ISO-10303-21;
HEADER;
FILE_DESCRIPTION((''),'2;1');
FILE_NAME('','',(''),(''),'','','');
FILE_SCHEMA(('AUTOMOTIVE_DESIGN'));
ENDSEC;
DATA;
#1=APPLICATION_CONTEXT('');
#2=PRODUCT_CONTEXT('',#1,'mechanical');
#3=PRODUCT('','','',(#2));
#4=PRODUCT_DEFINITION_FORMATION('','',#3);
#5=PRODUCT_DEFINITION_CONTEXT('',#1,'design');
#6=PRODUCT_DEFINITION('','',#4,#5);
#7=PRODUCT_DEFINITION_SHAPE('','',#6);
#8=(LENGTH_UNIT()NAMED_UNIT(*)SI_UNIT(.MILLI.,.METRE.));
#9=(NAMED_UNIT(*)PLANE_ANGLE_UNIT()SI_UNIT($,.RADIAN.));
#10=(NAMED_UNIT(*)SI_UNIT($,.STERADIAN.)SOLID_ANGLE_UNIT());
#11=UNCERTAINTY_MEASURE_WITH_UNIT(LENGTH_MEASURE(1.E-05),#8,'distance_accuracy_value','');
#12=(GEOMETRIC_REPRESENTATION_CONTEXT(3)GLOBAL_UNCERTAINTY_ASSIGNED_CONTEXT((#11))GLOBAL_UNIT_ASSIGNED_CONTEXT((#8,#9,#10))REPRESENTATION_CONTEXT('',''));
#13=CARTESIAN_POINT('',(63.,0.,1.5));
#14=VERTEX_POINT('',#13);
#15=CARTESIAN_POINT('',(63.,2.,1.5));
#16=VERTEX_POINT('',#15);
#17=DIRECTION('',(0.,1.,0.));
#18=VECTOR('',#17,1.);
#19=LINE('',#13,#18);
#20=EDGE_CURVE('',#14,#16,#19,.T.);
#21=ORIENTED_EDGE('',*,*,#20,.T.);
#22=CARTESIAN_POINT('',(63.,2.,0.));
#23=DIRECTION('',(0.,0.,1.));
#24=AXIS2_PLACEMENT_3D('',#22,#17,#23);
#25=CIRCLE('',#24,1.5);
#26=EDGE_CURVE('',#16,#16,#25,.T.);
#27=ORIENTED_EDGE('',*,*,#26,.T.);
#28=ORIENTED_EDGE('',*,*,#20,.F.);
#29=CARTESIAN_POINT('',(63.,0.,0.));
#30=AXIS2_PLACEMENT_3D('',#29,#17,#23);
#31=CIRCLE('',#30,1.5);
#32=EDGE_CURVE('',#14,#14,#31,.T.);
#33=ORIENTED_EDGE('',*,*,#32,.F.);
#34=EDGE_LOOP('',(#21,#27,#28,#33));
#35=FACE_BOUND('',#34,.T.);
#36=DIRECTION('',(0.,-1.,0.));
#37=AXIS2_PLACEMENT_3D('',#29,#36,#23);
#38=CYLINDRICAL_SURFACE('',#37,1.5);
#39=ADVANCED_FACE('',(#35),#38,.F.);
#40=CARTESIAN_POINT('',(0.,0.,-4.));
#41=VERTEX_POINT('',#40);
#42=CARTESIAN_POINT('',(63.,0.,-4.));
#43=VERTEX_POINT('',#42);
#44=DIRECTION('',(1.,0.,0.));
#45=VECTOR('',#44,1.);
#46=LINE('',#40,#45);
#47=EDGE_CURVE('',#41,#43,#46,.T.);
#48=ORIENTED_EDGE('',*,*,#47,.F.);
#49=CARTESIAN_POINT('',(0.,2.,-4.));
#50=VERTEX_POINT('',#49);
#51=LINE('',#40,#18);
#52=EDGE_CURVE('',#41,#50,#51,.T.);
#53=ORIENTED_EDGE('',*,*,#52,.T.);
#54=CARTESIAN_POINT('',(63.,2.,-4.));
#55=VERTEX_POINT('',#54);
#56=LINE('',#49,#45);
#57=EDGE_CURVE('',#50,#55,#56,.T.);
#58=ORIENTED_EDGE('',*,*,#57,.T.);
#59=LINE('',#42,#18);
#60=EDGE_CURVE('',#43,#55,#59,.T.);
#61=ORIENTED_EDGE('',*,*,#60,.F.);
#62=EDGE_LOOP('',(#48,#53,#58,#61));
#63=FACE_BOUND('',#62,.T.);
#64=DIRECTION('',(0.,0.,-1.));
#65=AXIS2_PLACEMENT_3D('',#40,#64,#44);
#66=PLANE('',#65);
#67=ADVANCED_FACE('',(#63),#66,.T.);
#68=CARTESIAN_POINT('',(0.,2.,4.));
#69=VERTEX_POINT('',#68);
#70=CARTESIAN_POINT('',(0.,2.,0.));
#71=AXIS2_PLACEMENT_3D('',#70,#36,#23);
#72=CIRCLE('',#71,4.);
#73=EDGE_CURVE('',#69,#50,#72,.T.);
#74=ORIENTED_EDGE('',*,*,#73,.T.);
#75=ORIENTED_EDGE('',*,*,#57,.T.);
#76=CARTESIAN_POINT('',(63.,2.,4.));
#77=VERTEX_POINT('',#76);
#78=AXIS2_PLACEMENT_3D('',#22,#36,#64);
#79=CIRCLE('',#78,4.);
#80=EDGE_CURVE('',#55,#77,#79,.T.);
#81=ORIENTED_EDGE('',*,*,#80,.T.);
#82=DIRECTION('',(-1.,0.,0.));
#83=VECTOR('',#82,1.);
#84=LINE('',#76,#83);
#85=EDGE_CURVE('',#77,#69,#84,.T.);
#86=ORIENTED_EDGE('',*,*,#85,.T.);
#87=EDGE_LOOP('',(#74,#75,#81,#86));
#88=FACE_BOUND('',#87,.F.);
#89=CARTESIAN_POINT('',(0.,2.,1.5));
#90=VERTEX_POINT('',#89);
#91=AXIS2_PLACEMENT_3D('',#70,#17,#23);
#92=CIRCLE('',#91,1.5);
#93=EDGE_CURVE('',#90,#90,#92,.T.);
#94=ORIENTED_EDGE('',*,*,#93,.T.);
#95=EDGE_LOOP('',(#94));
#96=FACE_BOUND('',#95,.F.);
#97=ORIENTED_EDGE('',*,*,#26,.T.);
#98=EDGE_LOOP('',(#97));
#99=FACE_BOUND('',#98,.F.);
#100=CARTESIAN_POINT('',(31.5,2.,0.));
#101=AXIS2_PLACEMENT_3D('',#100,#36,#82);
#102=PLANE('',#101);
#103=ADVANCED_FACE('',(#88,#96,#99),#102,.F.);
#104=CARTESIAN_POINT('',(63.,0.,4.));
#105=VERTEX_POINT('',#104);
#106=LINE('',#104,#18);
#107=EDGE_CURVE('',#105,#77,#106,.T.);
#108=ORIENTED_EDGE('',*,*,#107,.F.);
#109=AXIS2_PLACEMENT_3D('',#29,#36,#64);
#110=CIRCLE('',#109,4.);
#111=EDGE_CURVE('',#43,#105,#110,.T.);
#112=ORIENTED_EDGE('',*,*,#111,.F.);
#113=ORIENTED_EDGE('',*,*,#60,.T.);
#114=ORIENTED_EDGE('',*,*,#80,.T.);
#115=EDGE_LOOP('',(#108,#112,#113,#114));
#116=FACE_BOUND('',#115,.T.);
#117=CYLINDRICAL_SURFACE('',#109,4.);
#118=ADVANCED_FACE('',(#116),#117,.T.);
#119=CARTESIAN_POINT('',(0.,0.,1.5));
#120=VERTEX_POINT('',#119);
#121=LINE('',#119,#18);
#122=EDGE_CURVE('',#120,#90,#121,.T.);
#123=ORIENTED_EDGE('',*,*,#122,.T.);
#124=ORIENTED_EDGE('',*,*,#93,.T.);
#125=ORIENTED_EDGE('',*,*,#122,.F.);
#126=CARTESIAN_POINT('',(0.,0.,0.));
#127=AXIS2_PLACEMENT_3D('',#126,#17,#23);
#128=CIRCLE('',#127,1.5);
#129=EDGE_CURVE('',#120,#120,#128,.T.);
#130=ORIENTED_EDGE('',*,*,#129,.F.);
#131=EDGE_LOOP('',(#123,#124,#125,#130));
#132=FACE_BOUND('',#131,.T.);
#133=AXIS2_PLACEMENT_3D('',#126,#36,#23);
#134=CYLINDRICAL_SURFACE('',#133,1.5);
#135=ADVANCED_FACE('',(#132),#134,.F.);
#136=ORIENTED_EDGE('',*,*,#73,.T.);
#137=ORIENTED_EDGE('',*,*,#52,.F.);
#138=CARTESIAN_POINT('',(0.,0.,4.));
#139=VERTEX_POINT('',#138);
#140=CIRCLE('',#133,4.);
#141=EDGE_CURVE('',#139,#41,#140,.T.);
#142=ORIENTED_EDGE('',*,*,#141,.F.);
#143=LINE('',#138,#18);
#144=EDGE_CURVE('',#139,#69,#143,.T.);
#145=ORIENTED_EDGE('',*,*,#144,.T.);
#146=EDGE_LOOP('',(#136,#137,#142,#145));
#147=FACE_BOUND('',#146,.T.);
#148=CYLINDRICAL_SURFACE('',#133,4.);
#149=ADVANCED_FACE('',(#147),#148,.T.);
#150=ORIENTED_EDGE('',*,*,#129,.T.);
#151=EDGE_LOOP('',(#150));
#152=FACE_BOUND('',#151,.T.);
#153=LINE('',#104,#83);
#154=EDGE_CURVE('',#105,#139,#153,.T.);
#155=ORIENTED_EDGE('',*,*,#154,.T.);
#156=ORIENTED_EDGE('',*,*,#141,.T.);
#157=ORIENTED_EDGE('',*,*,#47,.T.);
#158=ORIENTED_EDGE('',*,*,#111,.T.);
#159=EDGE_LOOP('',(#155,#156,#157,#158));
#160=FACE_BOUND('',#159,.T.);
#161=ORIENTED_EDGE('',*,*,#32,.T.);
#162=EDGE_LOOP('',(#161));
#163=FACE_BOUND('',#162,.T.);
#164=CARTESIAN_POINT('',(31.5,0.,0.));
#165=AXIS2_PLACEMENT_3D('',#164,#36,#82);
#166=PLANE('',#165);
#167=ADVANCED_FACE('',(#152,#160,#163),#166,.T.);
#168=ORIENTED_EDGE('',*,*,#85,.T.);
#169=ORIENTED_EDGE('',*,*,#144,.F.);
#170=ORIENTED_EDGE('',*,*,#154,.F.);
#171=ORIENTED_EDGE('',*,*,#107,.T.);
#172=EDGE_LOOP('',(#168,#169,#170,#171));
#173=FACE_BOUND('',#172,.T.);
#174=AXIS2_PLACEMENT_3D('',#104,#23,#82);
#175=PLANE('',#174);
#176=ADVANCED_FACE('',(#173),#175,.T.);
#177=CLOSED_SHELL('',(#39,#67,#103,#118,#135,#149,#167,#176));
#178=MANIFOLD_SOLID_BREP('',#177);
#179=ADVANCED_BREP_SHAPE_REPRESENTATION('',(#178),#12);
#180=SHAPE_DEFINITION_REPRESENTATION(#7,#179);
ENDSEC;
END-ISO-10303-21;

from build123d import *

# Parameters (mm, degrees)
ESQUISSE1_R        = 1.5
BOSS_EXTRU_1_DEPTH = 2


with BuildPart() as part:
    # Esquisse1 → Boss.-Extru.1 (new body)
    with BuildSketch(Plane(origin=(0, 0, 0), x_dir=(1, 0, 0), z_dir=(0, 1, 0))):
        with BuildLine():
            Line((0, 4), (63, 4))
            ThreePointArc((63, 4), (67, 0), (63, -4))
            Line((63, -4), (0, -4))
            ThreePointArc((0, -4), (-4, 0), (0, 4))
        make_face()
        with Locations(Location((0, 0, 0), (0, 0, 270))):
            Circle(ESQUISSE1_R, mode=Mode.SUBTRACT)
        with Locations(Location((63, 0, 0), (0, 0, 270))):
            Circle(ESQUISSE1_R, mode=Mode.SUBTRACT)
    extrude(amount=BOSS_EXTRU_1_DEPTH)


solid = part.part
